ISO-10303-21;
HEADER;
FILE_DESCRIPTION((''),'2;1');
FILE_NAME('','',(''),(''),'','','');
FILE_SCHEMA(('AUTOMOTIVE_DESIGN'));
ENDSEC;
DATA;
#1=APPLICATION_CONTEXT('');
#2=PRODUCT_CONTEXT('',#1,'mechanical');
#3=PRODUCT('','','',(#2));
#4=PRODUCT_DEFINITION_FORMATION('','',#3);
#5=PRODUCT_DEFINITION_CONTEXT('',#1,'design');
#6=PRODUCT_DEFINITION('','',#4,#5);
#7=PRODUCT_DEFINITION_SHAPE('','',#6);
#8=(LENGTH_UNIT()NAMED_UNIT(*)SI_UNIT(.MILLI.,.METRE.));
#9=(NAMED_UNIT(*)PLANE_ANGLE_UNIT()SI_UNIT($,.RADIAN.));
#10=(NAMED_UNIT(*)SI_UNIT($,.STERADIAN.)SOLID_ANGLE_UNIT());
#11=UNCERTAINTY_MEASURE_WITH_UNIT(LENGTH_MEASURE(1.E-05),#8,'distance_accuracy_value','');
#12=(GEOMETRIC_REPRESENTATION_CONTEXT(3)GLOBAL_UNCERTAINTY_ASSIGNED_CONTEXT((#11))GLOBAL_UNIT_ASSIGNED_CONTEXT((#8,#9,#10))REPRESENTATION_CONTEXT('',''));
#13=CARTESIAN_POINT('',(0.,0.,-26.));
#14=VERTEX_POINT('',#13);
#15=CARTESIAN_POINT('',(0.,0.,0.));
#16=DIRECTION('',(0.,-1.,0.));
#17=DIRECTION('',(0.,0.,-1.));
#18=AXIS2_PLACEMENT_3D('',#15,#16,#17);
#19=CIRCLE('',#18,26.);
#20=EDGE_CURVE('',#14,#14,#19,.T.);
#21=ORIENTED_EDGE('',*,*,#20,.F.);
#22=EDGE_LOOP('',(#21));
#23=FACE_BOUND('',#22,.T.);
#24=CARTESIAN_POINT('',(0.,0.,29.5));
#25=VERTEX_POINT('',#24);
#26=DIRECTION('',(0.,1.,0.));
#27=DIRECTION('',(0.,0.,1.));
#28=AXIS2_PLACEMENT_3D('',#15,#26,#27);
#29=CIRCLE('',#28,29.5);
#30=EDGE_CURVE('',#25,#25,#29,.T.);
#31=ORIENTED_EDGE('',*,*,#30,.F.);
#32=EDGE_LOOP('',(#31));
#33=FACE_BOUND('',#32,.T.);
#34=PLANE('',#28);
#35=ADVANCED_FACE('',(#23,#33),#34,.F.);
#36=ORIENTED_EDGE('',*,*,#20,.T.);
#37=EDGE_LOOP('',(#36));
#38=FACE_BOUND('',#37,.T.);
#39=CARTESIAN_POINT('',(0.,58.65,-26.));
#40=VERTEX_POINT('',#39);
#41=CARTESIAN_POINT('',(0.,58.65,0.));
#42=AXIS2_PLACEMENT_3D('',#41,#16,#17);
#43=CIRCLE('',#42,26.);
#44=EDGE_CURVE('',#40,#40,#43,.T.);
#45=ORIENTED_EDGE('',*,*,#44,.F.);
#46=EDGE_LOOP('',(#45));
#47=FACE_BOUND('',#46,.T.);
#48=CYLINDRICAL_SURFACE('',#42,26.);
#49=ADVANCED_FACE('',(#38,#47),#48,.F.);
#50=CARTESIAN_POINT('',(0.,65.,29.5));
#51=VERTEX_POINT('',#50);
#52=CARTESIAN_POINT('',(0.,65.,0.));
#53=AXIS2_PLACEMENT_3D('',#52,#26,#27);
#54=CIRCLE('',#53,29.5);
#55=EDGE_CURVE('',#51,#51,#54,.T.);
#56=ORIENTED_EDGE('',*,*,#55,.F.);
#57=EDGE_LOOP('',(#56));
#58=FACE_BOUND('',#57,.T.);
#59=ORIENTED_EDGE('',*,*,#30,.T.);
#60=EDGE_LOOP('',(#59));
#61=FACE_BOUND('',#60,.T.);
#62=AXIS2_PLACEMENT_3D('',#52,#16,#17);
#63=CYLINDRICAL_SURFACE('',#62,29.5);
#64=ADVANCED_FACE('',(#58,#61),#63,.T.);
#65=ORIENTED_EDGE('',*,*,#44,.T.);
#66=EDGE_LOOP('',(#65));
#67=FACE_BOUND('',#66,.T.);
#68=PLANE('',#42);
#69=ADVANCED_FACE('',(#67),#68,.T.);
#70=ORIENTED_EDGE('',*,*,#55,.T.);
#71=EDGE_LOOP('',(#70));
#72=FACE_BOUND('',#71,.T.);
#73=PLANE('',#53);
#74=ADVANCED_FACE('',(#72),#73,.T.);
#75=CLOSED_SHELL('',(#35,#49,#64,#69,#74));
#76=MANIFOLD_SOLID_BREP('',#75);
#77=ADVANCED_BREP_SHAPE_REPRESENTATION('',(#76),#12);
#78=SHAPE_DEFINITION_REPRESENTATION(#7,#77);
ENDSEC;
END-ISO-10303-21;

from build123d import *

# Parameters (mm, degrees)
SKETCH1_R           = 29.5
BOSS_EXTRUDE1_DEPTH = 65
SKETCH2_R           = 26
CUT_EXTRUDE1_DEPTH  = 58.65


with BuildPart() as part:
    # Sketch1 → Boss-Extrude1 (new body)
    with BuildSketch(Plane(origin=(0, 0, 0), x_dir=(1, 0, 0), z_dir=(0, 1, 0))):
        with Locations(Location((0, 0, 0), (0, 0, 270))):
            Circle(SKETCH1_R)
    extrude(amount=BOSS_EXTRUDE1_DEPTH)

    # Sketch2 → Cut-Extrude1 (cut)
    with BuildSketch(Plane.XZ):
        with Locations(Location((0, 0, 0), (0, 0, 270))):
            Circle(SKETCH2_R)
    extrude(amount=-CUT_EXTRUDE1_DEPTH, mode=Mode.SUBTRACT)


solid = part.part
